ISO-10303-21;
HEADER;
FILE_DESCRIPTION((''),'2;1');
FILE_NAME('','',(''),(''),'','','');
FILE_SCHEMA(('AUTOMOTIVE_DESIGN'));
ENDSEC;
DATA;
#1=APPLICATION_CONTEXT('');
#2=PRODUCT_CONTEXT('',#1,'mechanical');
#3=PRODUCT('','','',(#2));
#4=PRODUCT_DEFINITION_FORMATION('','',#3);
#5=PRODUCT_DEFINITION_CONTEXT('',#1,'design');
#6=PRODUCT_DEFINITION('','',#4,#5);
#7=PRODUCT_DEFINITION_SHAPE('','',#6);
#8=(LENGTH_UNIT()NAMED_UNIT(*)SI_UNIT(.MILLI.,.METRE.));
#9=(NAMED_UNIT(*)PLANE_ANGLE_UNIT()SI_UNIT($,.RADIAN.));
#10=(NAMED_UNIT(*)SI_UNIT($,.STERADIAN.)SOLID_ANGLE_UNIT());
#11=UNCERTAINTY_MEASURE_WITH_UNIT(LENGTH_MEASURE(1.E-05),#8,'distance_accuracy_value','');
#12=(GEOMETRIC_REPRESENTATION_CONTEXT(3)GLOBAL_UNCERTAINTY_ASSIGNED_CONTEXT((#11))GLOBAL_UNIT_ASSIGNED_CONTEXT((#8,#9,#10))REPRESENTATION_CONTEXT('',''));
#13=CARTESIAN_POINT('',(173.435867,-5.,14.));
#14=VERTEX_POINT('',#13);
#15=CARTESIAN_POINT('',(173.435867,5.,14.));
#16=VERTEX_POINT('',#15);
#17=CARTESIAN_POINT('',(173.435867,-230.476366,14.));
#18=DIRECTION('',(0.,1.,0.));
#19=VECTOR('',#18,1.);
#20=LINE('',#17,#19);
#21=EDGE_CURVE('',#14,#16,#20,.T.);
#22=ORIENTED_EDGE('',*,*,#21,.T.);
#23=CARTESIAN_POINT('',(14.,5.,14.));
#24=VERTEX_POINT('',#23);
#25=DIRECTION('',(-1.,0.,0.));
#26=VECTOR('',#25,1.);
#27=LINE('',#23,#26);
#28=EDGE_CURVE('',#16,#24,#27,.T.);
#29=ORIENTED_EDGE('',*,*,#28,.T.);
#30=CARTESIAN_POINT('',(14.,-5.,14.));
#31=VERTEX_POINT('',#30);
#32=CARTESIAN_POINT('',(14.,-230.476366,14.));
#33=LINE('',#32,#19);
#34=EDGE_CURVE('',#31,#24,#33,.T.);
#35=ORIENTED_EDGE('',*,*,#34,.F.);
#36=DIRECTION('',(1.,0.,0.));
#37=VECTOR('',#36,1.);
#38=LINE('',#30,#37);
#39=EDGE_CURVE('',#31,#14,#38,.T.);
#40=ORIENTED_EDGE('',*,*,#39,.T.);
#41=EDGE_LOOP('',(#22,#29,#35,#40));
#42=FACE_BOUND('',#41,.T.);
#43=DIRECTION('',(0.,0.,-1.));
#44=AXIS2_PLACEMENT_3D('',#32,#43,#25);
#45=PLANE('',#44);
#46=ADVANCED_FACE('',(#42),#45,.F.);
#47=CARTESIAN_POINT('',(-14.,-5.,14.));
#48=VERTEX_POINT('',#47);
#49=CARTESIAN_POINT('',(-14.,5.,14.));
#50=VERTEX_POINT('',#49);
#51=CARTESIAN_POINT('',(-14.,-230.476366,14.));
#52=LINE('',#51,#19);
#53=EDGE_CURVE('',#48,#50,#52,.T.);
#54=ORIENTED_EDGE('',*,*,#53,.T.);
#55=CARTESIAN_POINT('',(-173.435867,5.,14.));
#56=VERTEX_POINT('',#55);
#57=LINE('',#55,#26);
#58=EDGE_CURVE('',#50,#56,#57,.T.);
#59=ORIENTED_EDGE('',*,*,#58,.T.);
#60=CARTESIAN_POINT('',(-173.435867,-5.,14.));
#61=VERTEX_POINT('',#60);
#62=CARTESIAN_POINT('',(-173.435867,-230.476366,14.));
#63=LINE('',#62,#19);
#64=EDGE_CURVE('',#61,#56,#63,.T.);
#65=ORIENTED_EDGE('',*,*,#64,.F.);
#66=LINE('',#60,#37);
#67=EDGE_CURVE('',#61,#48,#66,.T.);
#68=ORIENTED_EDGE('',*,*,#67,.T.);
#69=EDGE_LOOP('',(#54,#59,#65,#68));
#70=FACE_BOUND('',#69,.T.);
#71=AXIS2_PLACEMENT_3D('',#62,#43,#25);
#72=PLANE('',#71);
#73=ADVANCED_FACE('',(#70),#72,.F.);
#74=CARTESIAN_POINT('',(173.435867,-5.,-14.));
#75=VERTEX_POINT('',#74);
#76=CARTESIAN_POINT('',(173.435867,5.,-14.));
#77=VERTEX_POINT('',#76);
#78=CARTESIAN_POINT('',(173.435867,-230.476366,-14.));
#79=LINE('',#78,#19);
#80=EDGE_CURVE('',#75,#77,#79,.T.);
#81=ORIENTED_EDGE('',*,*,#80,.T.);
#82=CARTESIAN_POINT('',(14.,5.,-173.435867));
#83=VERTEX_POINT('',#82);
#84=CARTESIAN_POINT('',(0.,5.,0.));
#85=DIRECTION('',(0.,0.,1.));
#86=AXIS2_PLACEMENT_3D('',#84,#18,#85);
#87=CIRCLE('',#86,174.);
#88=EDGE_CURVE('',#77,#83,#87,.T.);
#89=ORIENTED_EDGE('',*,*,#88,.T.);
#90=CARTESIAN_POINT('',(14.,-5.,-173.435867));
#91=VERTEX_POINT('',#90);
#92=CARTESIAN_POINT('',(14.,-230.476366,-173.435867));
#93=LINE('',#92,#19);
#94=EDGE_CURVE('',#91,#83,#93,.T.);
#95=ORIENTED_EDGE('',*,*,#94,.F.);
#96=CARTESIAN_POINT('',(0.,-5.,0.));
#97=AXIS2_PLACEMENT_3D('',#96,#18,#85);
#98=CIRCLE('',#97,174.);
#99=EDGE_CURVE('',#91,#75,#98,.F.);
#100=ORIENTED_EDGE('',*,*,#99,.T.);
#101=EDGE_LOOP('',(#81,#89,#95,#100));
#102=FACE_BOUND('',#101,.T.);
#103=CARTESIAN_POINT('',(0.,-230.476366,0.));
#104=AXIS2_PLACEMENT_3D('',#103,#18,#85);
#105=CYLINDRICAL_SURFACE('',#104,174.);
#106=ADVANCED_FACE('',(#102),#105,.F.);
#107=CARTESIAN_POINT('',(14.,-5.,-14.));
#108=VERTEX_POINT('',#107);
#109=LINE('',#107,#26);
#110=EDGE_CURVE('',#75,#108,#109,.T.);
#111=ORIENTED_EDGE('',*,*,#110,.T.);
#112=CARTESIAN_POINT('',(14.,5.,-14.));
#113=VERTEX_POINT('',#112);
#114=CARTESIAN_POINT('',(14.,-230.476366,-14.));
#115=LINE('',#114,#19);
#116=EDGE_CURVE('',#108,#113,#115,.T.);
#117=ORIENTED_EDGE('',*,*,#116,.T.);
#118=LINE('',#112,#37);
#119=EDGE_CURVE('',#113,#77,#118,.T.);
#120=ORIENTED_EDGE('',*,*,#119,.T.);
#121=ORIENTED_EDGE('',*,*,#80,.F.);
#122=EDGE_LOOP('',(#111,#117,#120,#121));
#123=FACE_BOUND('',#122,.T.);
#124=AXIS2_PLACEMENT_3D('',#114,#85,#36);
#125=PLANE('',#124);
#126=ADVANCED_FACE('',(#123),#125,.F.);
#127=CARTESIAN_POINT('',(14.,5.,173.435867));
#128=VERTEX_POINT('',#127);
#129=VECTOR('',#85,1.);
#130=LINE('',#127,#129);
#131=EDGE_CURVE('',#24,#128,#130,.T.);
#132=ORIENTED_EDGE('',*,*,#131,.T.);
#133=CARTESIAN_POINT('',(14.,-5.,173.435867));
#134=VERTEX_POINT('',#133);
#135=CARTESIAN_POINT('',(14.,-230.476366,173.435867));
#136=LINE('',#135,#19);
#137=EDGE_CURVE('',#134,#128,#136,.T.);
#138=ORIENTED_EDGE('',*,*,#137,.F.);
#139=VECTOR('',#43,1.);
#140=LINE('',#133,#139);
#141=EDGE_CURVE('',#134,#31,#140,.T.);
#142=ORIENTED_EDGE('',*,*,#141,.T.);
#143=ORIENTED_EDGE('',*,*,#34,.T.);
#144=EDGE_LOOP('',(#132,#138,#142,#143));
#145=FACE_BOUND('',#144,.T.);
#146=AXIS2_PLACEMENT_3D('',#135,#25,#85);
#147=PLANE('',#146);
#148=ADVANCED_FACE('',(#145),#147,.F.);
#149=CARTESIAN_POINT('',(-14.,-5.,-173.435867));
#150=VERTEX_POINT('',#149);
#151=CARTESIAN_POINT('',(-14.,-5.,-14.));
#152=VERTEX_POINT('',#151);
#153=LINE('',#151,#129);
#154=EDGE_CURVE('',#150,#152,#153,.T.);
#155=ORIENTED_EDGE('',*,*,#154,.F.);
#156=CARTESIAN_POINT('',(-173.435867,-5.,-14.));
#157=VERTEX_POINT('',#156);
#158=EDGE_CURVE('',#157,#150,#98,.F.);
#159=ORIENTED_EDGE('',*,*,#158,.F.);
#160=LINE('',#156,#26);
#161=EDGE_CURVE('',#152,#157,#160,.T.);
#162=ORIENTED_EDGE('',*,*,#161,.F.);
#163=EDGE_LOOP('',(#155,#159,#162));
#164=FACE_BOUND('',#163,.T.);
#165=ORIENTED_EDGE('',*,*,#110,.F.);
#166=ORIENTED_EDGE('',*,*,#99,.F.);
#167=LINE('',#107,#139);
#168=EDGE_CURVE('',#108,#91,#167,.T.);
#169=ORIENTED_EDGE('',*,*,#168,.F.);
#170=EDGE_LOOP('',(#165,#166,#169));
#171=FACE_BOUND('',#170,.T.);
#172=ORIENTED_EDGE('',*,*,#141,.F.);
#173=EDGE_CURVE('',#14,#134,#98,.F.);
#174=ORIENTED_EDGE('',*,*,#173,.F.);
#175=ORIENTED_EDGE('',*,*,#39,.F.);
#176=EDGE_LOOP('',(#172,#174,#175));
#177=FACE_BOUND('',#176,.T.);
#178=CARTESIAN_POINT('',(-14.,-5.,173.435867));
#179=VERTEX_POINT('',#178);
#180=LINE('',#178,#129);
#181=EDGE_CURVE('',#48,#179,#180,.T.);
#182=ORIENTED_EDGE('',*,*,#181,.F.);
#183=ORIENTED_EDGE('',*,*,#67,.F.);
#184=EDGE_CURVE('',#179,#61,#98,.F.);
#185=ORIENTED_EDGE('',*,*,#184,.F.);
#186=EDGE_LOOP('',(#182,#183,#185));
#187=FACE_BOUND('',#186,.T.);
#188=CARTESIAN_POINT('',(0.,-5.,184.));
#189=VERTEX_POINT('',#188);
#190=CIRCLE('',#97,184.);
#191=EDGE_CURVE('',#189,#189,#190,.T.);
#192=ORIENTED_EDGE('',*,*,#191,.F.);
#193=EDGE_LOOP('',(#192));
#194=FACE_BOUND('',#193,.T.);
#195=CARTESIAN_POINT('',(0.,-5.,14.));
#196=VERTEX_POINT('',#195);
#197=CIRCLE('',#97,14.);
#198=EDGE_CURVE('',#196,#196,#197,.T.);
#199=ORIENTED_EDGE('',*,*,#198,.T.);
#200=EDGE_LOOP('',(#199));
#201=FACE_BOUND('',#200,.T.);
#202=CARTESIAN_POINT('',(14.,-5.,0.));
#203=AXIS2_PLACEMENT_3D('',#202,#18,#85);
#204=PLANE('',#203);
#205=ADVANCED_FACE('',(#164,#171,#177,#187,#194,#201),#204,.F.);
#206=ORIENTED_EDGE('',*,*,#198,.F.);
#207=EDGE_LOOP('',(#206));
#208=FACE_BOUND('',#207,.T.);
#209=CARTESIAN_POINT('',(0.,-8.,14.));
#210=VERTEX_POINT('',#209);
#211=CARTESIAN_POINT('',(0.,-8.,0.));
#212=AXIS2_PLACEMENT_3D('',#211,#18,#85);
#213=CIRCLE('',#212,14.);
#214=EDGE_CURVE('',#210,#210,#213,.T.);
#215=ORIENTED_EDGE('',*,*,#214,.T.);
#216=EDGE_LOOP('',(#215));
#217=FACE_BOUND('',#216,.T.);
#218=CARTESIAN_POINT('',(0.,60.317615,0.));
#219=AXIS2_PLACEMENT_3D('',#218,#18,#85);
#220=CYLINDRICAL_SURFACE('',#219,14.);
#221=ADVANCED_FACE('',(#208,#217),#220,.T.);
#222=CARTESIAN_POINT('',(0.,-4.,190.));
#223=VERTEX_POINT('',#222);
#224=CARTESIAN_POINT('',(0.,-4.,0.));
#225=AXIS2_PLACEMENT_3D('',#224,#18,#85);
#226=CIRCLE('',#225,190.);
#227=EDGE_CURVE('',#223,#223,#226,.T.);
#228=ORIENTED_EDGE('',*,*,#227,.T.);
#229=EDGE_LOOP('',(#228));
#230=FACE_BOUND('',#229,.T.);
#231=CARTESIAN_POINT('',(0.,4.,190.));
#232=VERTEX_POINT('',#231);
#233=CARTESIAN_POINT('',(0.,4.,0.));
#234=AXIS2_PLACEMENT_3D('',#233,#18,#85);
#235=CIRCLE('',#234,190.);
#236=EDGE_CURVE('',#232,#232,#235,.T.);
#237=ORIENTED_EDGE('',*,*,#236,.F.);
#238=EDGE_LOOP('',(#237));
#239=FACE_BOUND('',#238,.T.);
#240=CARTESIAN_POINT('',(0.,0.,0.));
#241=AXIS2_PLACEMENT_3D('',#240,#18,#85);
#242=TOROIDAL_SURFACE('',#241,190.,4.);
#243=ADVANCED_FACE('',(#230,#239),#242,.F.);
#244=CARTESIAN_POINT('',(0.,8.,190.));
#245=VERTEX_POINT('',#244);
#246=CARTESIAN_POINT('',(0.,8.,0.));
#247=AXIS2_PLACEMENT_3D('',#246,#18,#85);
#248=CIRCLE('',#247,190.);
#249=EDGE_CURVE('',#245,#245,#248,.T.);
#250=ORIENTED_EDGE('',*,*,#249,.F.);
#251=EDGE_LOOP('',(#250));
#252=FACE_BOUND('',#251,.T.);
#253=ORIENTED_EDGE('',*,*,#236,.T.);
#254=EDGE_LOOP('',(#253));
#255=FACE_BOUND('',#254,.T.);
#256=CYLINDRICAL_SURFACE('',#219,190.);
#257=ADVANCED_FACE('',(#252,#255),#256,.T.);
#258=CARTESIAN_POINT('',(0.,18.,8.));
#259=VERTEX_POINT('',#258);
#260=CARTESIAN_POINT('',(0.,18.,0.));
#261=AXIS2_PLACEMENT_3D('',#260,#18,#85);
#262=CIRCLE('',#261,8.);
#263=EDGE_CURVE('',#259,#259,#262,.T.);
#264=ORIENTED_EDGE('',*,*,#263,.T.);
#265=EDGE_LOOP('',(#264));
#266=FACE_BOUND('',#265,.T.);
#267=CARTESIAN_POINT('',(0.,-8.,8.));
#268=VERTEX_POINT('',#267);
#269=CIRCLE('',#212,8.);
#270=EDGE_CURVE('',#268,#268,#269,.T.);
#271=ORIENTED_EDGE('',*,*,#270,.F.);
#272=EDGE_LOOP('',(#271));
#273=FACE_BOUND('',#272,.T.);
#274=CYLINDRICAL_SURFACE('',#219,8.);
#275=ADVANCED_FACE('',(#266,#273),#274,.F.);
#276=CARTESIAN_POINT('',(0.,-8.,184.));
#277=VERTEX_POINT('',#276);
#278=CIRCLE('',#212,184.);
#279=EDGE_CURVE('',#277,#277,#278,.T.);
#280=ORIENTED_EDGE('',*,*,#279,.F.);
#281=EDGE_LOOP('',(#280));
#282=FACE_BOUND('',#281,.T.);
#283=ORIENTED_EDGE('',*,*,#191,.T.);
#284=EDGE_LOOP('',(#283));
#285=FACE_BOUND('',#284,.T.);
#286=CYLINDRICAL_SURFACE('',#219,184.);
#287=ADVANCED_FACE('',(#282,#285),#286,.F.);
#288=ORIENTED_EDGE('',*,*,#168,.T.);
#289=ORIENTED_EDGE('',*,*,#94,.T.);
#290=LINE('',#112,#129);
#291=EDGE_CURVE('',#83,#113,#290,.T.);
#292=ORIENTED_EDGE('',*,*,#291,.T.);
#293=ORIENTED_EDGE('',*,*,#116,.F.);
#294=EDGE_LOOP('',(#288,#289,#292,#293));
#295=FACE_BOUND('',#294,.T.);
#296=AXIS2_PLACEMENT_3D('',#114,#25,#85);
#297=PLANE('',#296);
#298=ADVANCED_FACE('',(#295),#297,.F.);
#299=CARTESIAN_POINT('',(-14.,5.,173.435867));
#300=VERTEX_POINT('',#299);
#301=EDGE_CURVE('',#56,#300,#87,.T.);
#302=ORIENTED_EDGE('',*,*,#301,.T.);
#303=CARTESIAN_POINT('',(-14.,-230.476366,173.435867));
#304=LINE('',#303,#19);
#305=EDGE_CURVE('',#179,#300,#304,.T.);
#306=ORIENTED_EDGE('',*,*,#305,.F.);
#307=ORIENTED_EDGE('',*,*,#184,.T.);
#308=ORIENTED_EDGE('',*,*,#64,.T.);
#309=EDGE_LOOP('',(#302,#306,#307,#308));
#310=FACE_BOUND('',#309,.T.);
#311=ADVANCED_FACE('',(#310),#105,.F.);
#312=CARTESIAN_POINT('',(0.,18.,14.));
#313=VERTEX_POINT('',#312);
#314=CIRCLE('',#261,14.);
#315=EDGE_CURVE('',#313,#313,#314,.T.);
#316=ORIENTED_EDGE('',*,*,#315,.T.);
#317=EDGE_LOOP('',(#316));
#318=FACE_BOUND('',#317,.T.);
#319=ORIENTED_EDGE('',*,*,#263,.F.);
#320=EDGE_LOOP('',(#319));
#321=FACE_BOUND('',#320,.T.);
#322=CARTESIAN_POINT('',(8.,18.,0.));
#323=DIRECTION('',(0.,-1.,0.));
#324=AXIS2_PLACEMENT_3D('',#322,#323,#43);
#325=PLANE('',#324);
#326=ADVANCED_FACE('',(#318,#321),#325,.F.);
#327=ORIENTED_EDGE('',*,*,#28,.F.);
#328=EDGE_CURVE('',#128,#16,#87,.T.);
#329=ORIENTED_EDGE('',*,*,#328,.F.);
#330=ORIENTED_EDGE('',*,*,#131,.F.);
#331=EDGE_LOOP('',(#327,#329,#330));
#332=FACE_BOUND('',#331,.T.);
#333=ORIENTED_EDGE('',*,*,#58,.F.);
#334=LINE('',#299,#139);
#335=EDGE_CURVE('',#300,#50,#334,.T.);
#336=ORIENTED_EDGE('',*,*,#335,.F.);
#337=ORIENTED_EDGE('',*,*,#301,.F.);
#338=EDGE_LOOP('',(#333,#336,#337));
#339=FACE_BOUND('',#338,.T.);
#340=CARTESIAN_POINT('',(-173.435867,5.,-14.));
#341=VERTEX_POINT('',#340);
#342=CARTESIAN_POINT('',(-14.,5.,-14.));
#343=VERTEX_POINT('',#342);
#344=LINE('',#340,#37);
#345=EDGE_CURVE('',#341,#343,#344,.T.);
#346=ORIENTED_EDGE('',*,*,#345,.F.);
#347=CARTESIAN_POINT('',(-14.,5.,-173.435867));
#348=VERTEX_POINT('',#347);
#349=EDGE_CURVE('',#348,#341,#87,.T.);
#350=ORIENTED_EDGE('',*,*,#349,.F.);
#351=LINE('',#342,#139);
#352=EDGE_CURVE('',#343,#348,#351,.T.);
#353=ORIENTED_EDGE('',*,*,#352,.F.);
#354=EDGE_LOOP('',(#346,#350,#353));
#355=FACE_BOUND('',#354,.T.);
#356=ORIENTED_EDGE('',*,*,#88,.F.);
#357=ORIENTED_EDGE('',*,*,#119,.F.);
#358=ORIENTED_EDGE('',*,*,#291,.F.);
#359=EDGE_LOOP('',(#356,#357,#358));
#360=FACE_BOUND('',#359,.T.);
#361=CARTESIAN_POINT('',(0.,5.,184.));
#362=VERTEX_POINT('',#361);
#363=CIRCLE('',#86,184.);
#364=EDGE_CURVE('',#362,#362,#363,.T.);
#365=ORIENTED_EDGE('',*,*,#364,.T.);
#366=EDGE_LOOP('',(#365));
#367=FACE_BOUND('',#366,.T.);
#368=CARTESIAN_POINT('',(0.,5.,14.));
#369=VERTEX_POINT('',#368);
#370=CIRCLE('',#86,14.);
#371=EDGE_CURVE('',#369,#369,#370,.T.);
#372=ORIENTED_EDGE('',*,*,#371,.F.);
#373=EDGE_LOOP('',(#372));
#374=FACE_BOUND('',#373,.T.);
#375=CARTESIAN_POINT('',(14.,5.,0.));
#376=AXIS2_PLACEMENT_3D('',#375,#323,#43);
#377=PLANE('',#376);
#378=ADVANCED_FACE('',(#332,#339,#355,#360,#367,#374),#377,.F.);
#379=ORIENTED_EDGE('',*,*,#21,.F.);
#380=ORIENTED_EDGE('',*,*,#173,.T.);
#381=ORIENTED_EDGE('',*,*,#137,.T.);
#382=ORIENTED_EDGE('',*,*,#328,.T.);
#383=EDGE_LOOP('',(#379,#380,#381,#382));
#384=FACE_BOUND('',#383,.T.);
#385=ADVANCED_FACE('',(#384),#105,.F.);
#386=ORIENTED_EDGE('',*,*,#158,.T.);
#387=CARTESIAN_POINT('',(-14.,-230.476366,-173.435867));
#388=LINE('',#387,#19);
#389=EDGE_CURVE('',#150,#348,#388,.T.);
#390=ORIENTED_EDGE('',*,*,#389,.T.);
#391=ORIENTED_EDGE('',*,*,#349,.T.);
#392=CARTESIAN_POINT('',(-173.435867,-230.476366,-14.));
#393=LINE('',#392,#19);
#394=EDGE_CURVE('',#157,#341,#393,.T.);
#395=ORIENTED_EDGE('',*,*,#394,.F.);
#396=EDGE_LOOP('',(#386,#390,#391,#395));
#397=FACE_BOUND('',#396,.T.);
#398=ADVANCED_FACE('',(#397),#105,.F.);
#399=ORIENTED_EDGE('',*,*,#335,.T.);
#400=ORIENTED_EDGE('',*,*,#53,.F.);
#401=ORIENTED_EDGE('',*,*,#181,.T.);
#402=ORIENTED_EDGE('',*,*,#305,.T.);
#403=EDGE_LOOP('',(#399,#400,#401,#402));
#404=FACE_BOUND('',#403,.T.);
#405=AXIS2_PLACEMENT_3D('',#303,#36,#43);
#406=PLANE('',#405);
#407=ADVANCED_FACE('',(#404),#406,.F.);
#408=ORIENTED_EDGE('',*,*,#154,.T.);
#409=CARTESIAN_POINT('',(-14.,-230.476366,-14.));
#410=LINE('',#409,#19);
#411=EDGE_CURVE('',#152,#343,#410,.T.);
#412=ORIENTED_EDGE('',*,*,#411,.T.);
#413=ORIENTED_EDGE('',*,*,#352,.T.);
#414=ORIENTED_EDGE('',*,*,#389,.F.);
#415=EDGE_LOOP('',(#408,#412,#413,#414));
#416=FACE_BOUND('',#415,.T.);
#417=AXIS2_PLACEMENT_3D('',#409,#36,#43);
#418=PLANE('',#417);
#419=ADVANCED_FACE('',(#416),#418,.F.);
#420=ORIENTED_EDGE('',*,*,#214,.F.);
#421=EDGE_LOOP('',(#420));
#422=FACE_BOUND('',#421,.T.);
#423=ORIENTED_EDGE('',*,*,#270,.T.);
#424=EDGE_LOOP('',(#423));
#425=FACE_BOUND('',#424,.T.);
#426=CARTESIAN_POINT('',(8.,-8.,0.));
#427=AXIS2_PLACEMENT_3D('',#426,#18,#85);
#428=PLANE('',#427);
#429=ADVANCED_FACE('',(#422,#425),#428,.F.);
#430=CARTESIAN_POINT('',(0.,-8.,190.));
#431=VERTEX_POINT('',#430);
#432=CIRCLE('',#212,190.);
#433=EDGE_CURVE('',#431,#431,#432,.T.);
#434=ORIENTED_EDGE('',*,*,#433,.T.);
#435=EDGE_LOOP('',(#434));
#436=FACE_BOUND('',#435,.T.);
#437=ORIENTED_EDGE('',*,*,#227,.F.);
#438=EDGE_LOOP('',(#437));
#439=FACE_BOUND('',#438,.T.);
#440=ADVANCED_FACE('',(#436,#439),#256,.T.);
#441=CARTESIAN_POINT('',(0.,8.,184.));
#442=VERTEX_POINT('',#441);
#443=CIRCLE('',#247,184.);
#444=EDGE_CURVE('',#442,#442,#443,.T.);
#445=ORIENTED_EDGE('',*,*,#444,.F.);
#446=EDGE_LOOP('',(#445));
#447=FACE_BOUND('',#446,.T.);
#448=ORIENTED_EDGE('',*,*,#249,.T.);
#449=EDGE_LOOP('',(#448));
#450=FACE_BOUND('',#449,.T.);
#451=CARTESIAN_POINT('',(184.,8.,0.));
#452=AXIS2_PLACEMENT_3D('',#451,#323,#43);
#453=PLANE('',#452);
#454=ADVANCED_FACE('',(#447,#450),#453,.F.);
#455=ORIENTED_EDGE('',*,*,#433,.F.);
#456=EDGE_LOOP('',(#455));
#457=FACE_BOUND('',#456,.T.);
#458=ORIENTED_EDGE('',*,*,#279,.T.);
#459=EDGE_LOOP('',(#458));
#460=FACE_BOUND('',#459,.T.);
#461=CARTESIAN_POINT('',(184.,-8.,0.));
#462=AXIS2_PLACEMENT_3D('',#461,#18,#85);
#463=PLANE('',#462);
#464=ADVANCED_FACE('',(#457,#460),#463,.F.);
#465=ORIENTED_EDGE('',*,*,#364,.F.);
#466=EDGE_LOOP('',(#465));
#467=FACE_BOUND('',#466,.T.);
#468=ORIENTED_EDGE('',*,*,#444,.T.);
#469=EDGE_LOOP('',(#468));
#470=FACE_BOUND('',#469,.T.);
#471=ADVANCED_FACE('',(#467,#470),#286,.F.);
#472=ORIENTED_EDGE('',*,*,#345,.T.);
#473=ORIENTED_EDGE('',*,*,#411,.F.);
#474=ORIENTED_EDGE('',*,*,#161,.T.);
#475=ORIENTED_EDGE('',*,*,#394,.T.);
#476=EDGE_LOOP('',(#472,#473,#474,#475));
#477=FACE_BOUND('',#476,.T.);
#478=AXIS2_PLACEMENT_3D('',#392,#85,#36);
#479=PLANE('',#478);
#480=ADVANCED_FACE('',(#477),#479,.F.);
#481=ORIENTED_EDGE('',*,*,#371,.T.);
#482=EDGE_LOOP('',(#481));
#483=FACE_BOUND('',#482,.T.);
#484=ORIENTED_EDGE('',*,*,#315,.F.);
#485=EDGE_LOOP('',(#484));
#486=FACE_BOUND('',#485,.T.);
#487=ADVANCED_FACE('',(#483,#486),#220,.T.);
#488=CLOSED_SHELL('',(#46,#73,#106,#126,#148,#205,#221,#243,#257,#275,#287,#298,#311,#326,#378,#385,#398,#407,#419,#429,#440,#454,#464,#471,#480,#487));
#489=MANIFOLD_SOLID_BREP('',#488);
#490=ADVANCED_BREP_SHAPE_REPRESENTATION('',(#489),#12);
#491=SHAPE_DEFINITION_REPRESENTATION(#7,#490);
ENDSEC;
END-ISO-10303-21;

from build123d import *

# Parameters (mm, degrees)
CUT_EXTRUDE1_DEPTH = 10


with BuildPart() as part:
    # Sketch1 → Revolve2 (revolve)
    with BuildSketch(Plane.XY, mode=Mode.PRIVATE) as revolve2_sk:
        with BuildLine():
            Line((8, 8), (8, -8))
            Line((8, -8), (14, -8))
            Line((14, -8), (14, -5))
            Line((14, -5), (184, -5))
            Line((184, -5), (184, -8))
            Line((184, -8), (190, -8))
            Line((190, -8), (190, -4))
            ThreePointArc((190, -4), (186, 0), (190, 4))
            Line((190, 4), (190, 8))
            Line((190, 8), (184, 8))
            Line((184, 8), (184, 5))
            Line((184, 5), (14, 5))
            Line((14, 5), (14, 8))
            Line((14, 8), (14, 18))
            Line((14, 18), (8, 18))
            Line((8, 18), (8, 8))
        make_face()
    revolve(revolve2_sk.sketch.rotate(Axis((0, 60.317614973, 0), (0, -1, 0)), 90), axis=Axis((0, 60.317614973, 0), (0, -1, 0)))

    # Sketch2 → Cut-Extrude1 (cut)
    with BuildSketch(Plane(origin=(0, 5, 0), x_dir=(1, 0, 0), z_dir=(0, 1, 0))):
        with BuildLine():
            Line((14, 14), (14, 173.435867109))
            ThreePointArc((14, 173.435867109), (123.036579926, 123.036579926), (173.435867109, 14))
            Line((173.435867109, 14), (14, 14))
        make_face()
        with BuildLine():
            Line((-173.435867109, -14), (-14, -14))
            Line((-14, -14), (-14, -173.435867109))
            ThreePointArc((-14, -173.435867109), (-123.036579926, -123.036579926), (-173.435867109, -14))
        make_face()
        with BuildLine():
            Line((-14, 14), (-14, 173.435867109))
            ThreePointArc((-14, 173.435867109), (-123.036579926, 123.036579926), (-173.435867109, 14))
            Line((-173.435867109, 14), (-14, 14))
        make_face()
        with BuildLine():
            Line((14, -14), (173.435867109, -14))
            ThreePointArc((173.435867109, -14), (123.036579926, -123.036579926), (14, -173.435867109))
            Line((14, -173.435867109), (14, -14))
        make_face()
    extrude(amount=-CUT_EXTRUDE1_DEPTH, mode=Mode.SUBTRACT)


solid = part.part
